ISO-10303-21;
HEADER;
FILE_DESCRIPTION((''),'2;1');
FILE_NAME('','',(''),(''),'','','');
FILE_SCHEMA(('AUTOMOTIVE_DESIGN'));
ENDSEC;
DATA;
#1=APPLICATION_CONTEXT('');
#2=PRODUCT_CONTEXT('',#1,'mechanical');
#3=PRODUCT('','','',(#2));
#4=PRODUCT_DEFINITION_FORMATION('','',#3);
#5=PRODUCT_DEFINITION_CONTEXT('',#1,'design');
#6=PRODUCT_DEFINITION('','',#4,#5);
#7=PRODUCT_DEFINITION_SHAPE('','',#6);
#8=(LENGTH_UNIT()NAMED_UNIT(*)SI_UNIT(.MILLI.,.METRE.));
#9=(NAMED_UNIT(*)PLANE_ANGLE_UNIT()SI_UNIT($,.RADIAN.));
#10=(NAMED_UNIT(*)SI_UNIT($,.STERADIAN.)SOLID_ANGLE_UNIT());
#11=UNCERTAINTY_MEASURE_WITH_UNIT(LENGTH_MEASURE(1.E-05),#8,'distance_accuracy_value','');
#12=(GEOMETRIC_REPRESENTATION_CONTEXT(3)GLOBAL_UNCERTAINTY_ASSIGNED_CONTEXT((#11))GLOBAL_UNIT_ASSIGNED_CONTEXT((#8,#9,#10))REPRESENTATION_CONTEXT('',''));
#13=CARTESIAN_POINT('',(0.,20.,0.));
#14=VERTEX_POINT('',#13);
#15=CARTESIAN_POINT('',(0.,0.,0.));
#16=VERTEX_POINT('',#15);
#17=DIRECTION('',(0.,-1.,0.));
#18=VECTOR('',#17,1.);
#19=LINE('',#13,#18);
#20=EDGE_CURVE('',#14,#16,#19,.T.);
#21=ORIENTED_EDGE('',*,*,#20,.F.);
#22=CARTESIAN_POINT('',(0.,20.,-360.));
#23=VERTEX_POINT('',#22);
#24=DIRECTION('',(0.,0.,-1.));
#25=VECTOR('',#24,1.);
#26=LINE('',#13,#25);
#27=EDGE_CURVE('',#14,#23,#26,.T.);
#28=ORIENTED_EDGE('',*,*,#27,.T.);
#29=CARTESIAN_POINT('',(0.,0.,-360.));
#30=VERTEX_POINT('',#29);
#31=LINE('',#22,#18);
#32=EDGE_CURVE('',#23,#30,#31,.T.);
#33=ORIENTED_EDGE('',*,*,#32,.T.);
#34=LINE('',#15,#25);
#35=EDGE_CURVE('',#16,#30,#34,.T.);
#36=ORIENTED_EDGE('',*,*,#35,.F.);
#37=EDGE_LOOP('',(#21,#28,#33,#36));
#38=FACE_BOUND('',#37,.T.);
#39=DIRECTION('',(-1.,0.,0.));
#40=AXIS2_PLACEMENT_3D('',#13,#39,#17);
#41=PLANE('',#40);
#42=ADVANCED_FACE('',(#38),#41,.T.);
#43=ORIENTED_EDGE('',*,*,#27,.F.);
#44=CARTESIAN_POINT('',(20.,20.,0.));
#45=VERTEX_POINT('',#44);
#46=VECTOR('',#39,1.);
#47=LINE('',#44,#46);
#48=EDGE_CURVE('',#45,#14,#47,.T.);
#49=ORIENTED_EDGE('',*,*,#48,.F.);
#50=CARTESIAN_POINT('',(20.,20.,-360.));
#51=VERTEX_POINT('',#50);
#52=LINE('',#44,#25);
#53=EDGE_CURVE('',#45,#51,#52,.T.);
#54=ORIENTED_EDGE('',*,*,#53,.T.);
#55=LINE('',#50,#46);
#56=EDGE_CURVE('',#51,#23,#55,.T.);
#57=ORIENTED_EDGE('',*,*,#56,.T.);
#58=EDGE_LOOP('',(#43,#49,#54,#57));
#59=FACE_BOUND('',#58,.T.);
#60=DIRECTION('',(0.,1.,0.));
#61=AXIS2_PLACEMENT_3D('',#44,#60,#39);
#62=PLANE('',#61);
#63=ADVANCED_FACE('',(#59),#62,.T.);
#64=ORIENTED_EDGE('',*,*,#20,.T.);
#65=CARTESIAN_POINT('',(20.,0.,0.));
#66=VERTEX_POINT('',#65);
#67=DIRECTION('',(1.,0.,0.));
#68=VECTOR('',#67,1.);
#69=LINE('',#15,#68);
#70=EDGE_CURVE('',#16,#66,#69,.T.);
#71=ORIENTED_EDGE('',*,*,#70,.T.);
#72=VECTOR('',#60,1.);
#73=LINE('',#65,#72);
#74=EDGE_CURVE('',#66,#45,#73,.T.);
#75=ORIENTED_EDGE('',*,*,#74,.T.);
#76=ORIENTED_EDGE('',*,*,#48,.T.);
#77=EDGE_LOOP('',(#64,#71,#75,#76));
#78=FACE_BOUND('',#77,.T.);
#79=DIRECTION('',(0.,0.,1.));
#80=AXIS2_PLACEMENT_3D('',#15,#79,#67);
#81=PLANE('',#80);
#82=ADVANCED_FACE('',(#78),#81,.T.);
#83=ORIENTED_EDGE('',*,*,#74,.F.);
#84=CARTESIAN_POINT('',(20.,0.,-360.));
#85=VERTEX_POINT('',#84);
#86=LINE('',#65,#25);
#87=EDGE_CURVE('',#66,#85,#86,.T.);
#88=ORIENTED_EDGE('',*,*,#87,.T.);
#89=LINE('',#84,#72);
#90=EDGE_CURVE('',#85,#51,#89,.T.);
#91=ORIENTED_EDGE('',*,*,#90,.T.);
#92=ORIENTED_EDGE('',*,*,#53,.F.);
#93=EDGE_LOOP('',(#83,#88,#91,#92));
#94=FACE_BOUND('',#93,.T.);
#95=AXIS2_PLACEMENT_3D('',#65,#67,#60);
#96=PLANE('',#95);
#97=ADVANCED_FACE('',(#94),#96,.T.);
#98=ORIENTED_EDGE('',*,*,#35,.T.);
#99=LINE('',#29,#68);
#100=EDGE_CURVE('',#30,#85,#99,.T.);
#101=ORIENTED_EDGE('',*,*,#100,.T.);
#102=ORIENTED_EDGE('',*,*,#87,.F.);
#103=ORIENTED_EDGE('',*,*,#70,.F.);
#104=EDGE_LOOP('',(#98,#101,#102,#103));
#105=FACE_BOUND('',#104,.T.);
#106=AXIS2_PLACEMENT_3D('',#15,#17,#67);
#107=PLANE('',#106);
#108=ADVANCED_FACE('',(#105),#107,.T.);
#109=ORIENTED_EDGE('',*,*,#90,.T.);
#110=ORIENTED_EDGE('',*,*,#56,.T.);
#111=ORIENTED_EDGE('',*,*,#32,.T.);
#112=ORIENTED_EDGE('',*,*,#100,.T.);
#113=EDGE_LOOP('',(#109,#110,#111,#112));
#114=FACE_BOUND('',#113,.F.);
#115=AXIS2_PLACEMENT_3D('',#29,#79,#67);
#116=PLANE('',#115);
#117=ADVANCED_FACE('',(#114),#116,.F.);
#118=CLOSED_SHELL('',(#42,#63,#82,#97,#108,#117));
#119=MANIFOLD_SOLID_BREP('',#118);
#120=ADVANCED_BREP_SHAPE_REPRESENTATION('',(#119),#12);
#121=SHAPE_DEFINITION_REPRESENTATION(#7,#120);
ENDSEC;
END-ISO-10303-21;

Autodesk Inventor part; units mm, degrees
ref_plane "YZ Plane" through (0, 0, 0) normal (1, 0, 0) x (0, 1, 0)
ref_plane "XZ Plane" through (0, 0, 0) normal (0, 1, 0) x (-1, 0, 0)
ref_plane "XY Plane" through (0, 0, 0) normal (0, 0, 1) x (1, 0, 0)
sketch "Sketch1" plane through (0, 0, 0) normal (0, 0, 1) x (1, 0, 0)
  line L0 (0, 0) -> (20, 0)
  line L1 (20, 0) -> (20, 20)
  line L2 (20, 20) -> (0, 20)
  line L3 (0, 20) -> (0, 0)
  dimension "d0" = 20
  dimension "d1" = 20
extrude "Extrusion1" add sketch "Sketch1" against normal blind 360
equation "\"d0\" = extrusion_dim"
equation "\"d1\" = extrusion_dim"
equation "\"d2\" = base_y_dim - 2 * extrusion_dim"
equation "\"base_thickness\" = 12.7"
equation "\"extrusion_dim\" = 20"
equation "\"top_sheet_thickness\" = 6.35"
equation "\"base_y_dim\" = 400"
properties part number "Y Cross Piece"
